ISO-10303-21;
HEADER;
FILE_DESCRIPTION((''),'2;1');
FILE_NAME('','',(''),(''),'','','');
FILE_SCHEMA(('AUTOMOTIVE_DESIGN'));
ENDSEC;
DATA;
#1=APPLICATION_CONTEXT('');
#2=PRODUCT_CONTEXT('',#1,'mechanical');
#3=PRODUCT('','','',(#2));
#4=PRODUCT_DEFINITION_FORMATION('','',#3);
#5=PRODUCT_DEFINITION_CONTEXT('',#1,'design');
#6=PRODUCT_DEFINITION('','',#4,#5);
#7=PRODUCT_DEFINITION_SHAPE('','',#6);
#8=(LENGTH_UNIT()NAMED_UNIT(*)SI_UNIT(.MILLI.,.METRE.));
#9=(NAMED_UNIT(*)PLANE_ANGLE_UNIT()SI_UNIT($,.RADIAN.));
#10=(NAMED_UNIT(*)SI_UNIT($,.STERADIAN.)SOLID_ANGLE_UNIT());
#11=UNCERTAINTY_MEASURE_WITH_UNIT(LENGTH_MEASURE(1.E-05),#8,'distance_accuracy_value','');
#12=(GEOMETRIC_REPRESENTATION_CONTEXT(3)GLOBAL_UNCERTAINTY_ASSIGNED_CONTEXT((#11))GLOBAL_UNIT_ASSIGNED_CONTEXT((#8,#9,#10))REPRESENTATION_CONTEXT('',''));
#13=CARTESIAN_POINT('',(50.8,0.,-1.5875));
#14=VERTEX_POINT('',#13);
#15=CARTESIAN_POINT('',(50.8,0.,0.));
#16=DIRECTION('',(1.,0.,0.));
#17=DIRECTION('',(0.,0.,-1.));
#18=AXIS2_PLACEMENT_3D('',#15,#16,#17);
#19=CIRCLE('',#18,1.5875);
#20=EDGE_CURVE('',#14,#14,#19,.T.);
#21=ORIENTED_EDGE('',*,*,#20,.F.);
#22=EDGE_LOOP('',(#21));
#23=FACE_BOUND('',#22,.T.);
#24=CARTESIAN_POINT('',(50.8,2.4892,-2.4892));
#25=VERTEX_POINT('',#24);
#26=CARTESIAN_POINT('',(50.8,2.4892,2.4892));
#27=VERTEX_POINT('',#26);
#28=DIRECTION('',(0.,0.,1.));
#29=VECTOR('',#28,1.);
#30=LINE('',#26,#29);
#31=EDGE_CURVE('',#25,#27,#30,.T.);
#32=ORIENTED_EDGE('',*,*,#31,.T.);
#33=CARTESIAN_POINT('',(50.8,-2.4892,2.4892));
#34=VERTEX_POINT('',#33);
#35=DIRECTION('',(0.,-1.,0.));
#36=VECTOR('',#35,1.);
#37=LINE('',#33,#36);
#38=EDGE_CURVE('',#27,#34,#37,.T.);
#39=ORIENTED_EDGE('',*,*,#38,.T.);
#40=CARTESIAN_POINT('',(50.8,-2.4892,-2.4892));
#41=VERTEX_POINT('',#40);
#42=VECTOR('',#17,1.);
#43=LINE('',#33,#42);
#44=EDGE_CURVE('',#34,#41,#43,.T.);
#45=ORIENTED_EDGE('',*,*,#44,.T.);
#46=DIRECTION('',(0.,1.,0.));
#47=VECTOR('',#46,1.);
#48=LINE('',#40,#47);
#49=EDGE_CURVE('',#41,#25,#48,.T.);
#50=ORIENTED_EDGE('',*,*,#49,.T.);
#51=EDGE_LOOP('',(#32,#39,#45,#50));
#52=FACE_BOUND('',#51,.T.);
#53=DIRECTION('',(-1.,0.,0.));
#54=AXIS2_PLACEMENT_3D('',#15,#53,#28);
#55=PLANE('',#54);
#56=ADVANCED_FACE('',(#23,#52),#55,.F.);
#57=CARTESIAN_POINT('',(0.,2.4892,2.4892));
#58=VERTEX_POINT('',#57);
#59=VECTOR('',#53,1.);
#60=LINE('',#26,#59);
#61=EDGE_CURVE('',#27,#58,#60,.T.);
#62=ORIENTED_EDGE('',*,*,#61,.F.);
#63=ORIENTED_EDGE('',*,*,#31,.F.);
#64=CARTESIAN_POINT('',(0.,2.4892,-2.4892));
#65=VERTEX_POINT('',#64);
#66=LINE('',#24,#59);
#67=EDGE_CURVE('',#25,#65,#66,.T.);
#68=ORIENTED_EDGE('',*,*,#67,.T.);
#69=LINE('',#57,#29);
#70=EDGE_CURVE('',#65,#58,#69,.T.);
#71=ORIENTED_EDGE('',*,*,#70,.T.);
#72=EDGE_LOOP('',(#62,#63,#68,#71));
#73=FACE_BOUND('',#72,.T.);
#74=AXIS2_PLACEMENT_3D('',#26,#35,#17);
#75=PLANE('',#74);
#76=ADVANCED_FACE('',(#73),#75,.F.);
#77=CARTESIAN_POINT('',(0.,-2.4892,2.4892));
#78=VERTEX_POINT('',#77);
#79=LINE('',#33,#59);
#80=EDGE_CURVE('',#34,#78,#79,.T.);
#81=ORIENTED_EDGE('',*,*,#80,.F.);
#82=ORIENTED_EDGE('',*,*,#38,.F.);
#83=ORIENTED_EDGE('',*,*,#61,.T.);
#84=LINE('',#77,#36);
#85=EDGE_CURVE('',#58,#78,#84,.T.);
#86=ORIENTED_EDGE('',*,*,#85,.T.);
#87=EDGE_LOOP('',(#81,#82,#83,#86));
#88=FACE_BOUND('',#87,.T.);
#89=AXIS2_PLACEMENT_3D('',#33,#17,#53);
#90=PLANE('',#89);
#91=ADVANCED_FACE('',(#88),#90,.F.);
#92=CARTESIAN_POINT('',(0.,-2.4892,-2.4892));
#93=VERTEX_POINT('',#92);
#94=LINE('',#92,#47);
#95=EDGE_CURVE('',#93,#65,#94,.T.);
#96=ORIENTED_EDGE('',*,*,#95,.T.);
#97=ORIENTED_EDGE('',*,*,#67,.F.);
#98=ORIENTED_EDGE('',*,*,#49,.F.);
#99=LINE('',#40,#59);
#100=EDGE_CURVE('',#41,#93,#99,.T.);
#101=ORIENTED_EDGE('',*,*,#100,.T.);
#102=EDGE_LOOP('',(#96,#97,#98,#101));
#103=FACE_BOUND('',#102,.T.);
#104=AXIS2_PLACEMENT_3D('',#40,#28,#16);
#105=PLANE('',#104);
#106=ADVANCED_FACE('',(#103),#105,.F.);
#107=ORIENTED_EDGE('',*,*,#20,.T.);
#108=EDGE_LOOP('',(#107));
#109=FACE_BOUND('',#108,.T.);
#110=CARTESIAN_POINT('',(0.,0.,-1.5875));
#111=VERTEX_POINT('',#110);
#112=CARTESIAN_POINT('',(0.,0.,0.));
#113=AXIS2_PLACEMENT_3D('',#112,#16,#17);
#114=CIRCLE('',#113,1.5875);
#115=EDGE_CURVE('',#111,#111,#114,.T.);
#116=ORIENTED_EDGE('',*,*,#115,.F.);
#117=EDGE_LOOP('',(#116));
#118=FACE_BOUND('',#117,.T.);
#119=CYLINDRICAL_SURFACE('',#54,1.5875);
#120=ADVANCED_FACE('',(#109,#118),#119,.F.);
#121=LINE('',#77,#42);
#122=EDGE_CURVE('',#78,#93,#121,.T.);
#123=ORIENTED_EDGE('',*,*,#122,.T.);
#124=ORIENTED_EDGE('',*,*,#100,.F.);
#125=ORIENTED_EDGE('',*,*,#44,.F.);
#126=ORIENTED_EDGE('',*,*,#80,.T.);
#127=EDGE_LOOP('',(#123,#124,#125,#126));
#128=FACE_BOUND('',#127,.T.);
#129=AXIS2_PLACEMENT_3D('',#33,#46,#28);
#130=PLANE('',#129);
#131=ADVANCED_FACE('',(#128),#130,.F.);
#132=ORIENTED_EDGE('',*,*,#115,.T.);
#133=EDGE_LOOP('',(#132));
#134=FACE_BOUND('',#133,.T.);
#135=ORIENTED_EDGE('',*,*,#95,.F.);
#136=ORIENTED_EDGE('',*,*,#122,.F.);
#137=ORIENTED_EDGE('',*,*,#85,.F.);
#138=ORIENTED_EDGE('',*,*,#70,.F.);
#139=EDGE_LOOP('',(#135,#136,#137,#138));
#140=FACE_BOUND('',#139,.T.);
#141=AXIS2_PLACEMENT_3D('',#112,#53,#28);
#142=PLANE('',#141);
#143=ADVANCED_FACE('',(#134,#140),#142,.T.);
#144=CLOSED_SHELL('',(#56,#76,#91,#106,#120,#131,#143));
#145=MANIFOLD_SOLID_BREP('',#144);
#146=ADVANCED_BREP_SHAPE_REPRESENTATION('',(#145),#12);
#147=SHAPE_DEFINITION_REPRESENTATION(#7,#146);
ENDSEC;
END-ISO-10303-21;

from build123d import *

# Parameters (mm, degrees)
SKETCH1_W           = 4.9784
SKETCH1_H           = 4.9784
SKETCH1_R           = 1.5875
BOSS_EXTRUDE1_DEPTH = 50.8


with BuildPart() as part:
    # Sketch1 → Boss-Extrude1 (new body)
    with BuildSketch(Plane(origin=(0, 0, 0), x_dir=(0, 0, -1), z_dir=(1, 0, 0))):
        Rectangle(SKETCH1_W, SKETCH1_H)
        Circle(SKETCH1_R, mode=Mode.SUBTRACT)
    extrude(amount=BOSS_EXTRUDE1_DEPTH)


solid = part.part
